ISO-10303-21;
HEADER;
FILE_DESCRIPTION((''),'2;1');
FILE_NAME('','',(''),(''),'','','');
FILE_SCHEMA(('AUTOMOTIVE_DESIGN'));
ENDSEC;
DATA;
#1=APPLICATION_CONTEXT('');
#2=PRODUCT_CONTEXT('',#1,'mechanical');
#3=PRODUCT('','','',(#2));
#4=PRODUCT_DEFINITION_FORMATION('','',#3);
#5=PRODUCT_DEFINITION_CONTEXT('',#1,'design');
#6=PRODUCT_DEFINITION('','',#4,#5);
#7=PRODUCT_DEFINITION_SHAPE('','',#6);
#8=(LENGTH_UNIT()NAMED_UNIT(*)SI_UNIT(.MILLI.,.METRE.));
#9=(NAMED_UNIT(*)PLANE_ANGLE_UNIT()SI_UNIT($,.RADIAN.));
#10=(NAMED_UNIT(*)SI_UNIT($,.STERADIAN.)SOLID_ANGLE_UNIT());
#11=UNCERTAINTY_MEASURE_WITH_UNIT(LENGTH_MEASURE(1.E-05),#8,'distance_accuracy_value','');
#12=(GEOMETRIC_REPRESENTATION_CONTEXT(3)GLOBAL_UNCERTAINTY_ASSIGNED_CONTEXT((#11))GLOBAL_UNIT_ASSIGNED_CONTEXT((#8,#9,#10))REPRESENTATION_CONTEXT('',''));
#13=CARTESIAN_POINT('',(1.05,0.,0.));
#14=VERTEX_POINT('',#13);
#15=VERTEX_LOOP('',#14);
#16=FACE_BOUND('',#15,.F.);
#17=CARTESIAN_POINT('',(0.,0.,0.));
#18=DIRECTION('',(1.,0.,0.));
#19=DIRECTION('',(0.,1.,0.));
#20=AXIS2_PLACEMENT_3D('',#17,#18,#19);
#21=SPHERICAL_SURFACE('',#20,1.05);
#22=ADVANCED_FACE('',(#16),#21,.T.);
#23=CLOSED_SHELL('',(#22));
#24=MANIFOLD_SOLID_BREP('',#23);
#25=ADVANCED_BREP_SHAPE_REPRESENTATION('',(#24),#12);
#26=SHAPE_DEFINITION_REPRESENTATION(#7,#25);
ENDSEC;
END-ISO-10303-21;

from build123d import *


with BuildPart() as part:
    # Sketch1 → Revolve1 (revolve)
    with BuildSketch(Plane.XY):
        with BuildLine():
            Line((1.05, 0), (-1.05, 0))
            ThreePointArc((-1.05, 0), (0, 1.05), (1.05, 0))
        make_face()
    revolve(axis=Axis((1.05, 0, 0), (-1, 0, 0)))


solid = part.part
